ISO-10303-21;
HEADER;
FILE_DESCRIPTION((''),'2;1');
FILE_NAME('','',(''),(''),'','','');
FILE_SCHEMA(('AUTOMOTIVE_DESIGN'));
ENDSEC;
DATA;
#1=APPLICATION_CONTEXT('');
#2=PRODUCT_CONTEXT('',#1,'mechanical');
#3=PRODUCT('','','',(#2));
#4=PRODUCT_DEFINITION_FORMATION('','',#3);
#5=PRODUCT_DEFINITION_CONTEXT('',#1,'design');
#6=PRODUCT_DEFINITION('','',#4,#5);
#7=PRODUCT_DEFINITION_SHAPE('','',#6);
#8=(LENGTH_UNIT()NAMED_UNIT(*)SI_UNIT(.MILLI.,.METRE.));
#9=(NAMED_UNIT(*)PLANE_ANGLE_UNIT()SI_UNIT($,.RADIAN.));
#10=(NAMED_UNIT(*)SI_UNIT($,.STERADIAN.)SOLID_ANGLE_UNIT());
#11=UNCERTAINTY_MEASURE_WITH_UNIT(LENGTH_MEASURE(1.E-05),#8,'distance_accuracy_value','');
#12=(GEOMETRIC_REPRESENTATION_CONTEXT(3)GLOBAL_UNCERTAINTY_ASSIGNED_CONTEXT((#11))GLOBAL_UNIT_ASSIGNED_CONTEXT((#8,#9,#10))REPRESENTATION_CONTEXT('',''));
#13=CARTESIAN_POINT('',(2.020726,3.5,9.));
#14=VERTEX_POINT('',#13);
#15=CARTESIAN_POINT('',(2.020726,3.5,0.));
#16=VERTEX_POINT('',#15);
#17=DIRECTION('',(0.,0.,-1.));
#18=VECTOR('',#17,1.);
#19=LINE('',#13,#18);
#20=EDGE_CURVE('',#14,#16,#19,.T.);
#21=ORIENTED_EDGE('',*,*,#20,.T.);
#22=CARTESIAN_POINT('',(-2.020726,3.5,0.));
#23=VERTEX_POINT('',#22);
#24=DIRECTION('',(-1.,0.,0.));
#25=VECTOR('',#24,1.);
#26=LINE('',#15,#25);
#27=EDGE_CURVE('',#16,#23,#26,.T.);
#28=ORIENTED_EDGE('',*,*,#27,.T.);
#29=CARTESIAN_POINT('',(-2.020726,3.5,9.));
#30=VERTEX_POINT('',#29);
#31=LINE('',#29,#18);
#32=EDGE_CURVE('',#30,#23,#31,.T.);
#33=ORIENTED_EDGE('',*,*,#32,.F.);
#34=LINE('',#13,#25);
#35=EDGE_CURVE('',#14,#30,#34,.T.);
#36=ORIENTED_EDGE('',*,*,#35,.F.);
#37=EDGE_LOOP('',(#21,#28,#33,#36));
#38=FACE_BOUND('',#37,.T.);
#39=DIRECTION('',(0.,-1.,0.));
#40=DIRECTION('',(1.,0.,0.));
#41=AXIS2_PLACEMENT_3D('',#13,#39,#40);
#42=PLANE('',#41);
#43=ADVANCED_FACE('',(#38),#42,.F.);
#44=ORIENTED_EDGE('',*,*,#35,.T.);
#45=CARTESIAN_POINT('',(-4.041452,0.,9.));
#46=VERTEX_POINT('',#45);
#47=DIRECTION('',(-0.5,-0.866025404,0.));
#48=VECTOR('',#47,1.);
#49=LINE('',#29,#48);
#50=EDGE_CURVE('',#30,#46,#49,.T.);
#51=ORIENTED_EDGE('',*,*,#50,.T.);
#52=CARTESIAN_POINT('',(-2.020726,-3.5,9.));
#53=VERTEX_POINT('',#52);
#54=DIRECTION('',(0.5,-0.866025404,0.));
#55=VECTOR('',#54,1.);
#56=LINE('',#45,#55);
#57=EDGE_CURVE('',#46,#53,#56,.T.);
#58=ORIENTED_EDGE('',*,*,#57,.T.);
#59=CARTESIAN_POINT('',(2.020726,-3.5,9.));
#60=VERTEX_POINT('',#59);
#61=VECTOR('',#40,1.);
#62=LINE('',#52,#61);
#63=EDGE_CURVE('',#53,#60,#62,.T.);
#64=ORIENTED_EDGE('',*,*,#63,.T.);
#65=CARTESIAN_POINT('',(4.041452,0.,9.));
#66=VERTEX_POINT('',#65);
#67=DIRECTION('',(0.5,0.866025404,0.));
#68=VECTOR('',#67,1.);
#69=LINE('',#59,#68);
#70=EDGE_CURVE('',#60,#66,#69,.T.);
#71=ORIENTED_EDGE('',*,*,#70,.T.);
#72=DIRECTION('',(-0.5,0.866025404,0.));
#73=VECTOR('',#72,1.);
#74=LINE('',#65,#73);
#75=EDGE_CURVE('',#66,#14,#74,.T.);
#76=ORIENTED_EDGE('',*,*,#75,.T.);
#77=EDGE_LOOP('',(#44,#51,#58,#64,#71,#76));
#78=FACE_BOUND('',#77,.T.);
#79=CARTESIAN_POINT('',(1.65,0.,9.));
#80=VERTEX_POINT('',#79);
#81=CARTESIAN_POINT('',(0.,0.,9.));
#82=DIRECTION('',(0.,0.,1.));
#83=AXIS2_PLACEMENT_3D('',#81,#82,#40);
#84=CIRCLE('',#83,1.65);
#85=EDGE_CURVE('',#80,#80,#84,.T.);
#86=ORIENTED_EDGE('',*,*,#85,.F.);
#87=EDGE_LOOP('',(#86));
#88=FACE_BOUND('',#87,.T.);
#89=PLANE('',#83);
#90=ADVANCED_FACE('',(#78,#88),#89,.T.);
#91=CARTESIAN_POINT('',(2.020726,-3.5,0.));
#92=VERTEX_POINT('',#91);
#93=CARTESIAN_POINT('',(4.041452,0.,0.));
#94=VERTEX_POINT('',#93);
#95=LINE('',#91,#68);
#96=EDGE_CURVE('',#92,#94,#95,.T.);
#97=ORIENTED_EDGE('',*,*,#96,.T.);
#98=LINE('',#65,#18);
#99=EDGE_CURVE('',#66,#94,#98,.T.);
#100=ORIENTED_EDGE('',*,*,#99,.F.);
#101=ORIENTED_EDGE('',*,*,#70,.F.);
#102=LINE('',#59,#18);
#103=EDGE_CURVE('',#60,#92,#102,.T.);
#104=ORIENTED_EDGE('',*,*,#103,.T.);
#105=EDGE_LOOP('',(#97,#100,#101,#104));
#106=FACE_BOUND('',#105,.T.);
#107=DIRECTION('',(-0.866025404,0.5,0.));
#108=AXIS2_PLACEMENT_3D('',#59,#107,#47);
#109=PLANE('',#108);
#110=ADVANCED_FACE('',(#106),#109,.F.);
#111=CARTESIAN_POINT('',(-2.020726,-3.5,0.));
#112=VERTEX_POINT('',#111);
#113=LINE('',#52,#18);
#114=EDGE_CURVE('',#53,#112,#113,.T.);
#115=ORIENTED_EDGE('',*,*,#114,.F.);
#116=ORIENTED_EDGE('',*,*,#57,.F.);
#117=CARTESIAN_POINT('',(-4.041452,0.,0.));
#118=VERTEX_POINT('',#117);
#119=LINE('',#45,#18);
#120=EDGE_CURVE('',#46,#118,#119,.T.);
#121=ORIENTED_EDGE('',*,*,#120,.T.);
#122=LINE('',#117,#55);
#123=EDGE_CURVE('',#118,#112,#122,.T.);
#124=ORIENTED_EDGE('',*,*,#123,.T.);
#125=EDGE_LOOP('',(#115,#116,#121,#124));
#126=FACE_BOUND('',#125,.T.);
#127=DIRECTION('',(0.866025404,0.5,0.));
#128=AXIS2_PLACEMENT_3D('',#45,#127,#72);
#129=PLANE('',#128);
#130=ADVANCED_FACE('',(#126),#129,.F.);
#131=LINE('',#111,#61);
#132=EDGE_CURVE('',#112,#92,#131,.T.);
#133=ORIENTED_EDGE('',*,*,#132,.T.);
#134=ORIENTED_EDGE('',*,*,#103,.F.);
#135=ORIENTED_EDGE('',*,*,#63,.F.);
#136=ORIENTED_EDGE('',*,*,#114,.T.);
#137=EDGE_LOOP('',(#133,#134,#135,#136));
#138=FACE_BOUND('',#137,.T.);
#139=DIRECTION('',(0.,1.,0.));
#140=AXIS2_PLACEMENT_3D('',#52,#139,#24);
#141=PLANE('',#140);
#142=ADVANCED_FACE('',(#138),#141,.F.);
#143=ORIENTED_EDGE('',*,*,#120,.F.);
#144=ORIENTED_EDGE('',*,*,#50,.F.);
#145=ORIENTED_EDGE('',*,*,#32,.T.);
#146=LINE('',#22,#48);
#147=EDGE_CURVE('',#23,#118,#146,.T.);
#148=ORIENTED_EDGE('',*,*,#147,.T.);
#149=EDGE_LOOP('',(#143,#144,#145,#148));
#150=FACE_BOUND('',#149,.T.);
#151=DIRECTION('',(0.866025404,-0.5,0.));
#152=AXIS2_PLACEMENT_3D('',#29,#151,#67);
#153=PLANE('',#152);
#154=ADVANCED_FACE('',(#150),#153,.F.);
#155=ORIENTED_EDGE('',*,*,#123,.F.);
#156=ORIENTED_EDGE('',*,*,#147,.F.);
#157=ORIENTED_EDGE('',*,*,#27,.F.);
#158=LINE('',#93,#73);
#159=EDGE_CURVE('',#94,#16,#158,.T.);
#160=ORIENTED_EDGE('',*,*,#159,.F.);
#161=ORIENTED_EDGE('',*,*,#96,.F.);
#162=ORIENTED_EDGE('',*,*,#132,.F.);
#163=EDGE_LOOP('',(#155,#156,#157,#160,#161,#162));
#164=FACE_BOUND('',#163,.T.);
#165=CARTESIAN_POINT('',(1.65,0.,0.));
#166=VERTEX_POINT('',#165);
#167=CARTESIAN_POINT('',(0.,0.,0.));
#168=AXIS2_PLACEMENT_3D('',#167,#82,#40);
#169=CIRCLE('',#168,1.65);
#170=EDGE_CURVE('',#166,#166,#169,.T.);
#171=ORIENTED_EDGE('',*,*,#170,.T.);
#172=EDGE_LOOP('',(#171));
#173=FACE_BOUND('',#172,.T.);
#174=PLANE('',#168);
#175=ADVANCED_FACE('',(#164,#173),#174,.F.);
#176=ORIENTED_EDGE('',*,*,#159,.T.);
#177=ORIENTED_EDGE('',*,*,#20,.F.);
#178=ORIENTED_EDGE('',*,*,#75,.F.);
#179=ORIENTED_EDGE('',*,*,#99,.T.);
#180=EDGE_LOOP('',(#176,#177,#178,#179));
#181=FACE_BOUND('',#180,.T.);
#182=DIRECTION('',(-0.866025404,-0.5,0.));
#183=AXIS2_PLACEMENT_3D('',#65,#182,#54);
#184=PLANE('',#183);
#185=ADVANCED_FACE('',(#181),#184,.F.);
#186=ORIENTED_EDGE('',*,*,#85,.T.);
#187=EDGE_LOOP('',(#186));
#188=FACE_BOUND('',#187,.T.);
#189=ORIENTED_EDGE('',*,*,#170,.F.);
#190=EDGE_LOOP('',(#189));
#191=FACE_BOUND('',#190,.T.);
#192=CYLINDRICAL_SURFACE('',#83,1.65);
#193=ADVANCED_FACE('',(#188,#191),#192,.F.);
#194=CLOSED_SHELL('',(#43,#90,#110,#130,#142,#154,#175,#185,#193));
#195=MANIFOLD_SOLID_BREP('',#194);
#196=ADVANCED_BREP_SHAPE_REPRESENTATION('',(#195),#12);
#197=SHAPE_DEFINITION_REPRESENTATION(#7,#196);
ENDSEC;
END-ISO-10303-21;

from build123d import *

# Parameters (mm, degrees)
EXTRUDE_1_DEPTH = 9
M4X0_7_1_D      = 3.3


with BuildPart() as part:
    # 草圖1 → 填料-伸長1 (new body)
    with BuildSketch(Plane.XY):
        Polygon((-2.020725942, 3.5), (-4.041451884, 0), (-2.020725942, -3.5), (2.020725942, -3.5), (4.041451884, 0), (2.020725942, 3.5), align=None)
    extrude(amount=EXTRUDE_1_DEPTH)

    # M4x0.7 螺紋孔1 (through all)
    with Locations(Plane.XY.offset(9)):
        with Locations((0, 0)):
            Hole(M4X0_7_1_D / 2)


solid = part.part
